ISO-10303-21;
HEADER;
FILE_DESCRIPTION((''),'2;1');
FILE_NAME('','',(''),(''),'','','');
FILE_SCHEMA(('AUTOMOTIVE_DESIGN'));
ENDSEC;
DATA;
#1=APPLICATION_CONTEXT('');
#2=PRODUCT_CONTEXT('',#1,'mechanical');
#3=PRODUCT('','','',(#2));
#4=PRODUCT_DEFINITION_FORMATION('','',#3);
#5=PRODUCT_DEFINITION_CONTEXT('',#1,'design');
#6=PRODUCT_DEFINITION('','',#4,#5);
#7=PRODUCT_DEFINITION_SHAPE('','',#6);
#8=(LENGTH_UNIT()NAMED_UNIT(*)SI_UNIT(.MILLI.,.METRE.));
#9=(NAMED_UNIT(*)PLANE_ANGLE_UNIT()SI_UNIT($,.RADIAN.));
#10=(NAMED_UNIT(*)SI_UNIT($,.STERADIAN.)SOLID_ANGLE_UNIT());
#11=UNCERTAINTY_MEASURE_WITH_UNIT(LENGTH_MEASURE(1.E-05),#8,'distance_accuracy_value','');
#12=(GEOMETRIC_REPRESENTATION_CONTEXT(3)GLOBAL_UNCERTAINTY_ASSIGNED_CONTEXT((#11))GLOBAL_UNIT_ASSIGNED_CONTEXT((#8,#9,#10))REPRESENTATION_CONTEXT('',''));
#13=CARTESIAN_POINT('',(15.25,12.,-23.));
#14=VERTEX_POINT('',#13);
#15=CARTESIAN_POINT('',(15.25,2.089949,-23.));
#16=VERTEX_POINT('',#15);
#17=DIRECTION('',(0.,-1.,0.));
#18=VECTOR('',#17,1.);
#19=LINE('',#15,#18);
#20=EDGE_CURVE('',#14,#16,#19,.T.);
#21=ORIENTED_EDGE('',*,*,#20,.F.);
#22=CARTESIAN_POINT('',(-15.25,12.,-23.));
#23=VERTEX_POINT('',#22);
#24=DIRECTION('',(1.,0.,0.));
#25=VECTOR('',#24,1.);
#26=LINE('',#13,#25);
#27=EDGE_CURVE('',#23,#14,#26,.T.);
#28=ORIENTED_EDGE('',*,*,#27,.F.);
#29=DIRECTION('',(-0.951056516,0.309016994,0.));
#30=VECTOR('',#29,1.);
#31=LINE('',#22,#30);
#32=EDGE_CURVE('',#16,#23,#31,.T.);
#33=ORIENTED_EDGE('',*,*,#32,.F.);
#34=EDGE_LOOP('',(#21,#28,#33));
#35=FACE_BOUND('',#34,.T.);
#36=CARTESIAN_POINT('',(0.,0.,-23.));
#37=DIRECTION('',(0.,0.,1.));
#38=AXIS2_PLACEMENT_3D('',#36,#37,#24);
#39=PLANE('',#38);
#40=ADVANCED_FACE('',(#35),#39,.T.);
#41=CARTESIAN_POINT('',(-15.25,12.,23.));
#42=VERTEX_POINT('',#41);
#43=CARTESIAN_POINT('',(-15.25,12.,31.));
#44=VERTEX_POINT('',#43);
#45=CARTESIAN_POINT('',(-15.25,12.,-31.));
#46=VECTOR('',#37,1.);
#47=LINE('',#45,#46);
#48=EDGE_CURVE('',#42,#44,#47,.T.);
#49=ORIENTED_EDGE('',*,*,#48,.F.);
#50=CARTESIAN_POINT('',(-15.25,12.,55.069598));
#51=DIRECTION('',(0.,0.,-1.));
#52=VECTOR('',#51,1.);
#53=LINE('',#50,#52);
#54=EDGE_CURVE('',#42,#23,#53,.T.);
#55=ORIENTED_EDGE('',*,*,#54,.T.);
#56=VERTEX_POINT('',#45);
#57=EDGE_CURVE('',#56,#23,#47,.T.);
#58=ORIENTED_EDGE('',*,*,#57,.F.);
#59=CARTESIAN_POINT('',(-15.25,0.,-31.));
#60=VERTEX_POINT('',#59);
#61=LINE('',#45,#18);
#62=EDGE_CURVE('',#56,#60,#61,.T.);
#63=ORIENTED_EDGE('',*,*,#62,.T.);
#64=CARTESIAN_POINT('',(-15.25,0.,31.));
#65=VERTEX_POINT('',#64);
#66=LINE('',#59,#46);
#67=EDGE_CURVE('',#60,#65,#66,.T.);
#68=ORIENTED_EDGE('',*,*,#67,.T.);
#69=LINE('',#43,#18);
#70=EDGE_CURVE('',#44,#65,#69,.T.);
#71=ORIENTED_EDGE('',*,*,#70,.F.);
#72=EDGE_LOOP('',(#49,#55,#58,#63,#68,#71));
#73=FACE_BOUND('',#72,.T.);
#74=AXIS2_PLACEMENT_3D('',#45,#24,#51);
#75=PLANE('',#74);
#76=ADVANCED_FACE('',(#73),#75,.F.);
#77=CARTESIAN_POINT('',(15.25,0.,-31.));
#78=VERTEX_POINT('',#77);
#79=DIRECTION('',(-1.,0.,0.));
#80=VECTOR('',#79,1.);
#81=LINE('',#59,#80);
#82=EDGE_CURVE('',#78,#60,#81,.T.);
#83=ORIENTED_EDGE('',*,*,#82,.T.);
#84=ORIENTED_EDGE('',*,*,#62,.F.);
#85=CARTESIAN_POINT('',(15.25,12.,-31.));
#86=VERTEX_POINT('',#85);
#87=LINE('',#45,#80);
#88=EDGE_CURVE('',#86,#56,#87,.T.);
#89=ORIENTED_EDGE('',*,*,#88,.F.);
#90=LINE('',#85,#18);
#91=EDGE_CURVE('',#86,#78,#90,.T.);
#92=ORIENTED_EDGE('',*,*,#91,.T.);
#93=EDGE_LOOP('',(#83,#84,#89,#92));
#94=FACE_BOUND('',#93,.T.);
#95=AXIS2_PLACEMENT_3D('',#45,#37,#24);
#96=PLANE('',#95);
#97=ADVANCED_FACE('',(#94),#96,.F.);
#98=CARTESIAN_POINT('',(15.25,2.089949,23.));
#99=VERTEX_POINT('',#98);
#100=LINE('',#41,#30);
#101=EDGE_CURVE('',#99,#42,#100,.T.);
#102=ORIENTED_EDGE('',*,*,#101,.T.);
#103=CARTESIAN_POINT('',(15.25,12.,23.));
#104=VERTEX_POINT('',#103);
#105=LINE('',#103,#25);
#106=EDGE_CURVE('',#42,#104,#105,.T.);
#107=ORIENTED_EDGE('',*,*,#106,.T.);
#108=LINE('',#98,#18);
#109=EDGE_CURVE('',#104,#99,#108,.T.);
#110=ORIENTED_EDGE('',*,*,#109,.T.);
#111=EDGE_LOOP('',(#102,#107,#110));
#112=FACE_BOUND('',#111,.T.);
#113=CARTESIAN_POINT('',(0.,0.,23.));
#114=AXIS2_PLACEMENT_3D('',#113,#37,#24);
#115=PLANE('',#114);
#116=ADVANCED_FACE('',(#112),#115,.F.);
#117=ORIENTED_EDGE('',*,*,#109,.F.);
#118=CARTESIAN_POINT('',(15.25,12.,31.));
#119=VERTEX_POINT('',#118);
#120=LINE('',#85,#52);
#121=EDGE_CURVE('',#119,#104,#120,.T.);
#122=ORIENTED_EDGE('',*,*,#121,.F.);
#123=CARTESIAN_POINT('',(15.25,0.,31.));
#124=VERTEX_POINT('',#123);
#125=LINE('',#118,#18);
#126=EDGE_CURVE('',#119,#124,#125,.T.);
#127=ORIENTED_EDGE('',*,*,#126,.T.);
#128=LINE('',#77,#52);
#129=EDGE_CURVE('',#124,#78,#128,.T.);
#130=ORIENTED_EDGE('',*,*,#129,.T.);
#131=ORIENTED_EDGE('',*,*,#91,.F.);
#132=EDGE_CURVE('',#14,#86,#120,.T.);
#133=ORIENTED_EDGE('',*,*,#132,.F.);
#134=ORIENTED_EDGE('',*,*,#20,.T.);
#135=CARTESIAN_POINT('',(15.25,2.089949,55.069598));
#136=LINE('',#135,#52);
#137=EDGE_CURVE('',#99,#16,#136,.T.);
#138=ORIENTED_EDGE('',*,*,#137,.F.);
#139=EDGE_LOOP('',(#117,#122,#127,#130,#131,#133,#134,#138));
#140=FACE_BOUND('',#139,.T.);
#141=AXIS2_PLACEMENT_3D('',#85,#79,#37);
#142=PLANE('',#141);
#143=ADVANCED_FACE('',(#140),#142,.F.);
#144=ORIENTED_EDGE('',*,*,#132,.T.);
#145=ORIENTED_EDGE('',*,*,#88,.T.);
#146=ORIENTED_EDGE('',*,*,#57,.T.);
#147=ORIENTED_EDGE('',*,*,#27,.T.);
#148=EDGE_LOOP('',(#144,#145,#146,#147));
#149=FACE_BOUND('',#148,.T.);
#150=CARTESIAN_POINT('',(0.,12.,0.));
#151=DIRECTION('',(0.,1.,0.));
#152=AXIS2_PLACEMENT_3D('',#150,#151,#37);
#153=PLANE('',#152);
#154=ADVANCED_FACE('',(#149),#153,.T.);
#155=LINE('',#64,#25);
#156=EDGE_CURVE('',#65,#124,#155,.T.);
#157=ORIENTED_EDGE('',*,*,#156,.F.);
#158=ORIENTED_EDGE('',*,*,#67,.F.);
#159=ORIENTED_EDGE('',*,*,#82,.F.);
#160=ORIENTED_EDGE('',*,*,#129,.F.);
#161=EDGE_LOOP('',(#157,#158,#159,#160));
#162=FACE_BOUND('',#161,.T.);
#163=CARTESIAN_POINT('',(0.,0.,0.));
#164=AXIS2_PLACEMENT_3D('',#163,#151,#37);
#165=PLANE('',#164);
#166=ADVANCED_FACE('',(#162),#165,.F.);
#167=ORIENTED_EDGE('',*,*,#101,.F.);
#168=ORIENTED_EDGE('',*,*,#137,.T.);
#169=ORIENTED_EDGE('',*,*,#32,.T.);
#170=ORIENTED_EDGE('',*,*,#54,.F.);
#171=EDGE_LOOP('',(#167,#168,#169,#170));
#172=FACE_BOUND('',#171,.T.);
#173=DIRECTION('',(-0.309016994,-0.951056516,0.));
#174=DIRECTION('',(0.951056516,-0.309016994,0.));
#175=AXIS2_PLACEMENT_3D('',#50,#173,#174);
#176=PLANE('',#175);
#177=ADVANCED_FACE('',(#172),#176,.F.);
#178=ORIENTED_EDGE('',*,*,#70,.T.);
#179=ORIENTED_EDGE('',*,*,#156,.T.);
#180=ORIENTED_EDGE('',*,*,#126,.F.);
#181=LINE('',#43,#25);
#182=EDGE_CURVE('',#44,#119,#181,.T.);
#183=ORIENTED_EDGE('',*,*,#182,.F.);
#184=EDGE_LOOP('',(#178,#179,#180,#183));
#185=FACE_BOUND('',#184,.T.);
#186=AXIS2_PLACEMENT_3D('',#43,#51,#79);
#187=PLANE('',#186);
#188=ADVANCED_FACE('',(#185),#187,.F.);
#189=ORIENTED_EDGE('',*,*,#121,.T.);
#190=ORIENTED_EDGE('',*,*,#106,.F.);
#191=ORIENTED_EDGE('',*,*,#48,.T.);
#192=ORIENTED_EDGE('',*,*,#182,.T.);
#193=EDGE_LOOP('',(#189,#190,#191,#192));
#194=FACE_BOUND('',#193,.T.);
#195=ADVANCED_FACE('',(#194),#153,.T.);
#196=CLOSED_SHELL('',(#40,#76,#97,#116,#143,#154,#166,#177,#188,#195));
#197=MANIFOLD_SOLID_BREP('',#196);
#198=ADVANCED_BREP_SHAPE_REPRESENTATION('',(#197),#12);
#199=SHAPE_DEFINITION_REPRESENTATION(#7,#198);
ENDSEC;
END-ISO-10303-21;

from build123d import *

# Parameters (mm, degrees)
SKETCH1_W           = 30.5
SKETCH1_H           = 62
BOSS_EXTRUDE1_DEPTH = 12
CUT_EXTRUDE1_START  = -46
CUT_EXTRUDE1_DEPTH  = 46


with BuildPart() as part:
    # Sketch1 → Boss-Extrude1 (new body)
    with BuildSketch(Plane(origin=(0, 0, 0), x_dir=(1, 0, 0), z_dir=(0, 1, 0))):
        Rectangle(SKETCH1_W, SKETCH1_H)
    extrude(amount=BOSS_EXTRUDE1_DEPTH)

    # Sketch2 → Cut-Extrude1 (cut)
    with BuildSketch(Plane(origin=(0, 0, -23), x_dir=(-1, 0, 0), z_dir=(0, 0, -1)).offset(CUT_EXTRUDE1_START)):
        Polygon((-15.25, 12), (15.25, 12), (-15.25, 2.089949265), align=None)
    extrude(amount=CUT_EXTRUDE1_DEPTH, mode=Mode.SUBTRACT)


solid = part.part
